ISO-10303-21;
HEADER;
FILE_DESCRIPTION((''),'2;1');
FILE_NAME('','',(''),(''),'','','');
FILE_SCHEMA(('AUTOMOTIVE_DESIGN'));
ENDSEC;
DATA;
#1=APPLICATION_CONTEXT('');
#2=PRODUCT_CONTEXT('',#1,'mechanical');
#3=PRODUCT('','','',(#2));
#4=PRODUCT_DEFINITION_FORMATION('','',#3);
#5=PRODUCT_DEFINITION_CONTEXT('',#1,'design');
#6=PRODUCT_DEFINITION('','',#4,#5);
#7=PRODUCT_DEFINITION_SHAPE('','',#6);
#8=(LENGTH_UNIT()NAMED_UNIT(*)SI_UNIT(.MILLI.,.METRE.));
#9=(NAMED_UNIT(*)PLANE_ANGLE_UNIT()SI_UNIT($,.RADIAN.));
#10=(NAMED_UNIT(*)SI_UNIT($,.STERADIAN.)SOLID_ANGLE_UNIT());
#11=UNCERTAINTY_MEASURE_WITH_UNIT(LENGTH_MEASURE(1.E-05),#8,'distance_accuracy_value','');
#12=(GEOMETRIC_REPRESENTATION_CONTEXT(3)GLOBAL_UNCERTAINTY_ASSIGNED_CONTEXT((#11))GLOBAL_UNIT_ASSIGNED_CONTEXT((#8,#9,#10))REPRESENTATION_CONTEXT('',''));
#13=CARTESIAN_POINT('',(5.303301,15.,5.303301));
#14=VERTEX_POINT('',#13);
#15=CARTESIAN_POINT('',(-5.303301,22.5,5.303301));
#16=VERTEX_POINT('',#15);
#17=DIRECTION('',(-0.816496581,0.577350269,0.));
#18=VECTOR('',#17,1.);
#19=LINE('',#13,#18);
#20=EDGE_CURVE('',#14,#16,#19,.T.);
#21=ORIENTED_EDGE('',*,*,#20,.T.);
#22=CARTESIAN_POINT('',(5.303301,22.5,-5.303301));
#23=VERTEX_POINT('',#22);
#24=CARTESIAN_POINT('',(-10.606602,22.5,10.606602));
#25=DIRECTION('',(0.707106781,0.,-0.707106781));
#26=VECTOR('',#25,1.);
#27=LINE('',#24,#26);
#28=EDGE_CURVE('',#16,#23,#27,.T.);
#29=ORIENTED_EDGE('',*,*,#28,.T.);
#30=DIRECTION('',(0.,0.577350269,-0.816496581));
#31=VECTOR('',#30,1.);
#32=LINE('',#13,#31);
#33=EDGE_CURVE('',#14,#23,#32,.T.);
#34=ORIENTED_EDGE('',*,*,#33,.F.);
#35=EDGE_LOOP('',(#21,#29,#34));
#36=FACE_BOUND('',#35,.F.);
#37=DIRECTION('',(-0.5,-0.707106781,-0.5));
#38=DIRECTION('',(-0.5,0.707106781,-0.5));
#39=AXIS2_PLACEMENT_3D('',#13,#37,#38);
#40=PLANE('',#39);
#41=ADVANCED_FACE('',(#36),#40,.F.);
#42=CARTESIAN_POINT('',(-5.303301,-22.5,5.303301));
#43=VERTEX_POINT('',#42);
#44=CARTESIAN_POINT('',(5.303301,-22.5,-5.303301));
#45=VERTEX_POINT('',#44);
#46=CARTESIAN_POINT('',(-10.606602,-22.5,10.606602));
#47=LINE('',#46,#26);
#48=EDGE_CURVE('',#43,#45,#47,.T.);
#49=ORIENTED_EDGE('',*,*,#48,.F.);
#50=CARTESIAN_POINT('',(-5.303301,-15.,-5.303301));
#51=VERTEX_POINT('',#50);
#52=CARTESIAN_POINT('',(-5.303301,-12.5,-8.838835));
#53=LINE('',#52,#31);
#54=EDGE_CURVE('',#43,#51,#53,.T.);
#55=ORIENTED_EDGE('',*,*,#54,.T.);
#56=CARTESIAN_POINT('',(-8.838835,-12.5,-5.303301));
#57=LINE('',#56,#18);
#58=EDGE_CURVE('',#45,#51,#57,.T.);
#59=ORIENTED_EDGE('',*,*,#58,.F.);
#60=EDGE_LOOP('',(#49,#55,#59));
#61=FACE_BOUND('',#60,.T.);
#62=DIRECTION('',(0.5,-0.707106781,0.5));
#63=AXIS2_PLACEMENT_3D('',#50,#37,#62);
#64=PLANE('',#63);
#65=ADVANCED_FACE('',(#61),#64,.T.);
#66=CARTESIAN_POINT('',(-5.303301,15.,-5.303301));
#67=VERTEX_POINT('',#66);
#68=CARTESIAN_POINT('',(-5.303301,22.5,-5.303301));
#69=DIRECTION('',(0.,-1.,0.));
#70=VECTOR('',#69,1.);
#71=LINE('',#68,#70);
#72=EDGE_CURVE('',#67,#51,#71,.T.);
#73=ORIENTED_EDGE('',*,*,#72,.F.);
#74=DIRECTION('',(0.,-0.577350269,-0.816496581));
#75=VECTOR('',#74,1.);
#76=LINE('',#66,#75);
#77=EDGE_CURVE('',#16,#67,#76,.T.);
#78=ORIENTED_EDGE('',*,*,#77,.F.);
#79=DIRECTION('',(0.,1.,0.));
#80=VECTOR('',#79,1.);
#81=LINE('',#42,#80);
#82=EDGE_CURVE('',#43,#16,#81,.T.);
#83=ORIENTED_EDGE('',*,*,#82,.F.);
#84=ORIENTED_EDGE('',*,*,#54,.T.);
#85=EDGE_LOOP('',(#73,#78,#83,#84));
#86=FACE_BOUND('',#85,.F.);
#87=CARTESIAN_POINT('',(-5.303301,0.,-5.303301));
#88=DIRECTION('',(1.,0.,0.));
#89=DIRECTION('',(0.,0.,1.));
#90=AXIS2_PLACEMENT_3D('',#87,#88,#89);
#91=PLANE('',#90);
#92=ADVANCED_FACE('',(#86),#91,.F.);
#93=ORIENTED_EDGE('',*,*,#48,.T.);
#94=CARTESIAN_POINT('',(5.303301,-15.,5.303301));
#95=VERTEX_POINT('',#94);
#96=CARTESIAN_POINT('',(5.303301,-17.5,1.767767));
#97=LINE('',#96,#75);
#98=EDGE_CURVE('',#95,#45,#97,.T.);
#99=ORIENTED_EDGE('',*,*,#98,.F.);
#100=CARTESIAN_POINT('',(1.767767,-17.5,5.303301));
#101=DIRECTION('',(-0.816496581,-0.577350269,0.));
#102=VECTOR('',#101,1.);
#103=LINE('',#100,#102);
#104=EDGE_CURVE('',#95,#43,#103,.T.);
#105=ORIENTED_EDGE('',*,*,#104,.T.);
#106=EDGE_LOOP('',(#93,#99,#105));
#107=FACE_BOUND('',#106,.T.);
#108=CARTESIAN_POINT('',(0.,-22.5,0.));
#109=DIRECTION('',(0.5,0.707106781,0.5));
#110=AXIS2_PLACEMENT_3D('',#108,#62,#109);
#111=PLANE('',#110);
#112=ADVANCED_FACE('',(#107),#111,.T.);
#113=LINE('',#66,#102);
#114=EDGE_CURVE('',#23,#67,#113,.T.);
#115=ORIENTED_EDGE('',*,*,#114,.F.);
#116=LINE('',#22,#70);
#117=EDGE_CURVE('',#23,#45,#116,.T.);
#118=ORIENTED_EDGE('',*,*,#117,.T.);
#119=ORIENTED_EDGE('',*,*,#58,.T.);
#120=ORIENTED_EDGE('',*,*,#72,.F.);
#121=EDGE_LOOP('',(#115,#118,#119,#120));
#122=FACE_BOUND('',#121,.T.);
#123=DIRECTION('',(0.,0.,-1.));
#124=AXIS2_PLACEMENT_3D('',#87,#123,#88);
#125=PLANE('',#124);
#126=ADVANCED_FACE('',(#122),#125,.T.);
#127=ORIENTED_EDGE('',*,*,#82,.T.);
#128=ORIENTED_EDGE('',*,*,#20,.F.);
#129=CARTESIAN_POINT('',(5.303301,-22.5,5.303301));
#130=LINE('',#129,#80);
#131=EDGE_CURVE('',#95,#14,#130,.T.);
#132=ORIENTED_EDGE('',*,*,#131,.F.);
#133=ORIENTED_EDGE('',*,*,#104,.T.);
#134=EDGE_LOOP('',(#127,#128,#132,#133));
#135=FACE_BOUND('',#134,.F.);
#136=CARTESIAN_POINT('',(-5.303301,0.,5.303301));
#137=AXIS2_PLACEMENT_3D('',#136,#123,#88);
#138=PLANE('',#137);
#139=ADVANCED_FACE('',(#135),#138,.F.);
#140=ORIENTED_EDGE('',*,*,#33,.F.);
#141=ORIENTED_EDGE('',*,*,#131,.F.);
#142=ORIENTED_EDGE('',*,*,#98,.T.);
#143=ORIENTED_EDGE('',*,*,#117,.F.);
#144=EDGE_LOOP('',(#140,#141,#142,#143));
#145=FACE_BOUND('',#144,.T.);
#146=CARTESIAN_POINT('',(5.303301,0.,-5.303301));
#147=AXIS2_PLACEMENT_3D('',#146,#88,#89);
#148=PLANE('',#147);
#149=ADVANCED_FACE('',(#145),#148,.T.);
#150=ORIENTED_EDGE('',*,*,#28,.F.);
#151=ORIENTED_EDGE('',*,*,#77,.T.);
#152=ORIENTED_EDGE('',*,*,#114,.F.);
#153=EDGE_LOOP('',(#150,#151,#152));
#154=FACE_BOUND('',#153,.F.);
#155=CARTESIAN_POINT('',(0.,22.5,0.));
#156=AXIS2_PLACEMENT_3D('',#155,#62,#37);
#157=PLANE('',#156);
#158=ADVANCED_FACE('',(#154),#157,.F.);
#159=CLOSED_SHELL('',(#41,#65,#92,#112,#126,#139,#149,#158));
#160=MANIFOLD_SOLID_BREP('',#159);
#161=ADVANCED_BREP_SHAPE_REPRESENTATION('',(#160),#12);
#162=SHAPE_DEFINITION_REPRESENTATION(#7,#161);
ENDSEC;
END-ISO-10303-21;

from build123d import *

# Parameters (mm, degrees)
F0_W     = 10.6066017178
F0_H     = 10.6066017178
F1_DEPTH = 22.5
F4_DEPTH = 15


with BuildPart() as f1:
    # F0 (on Front) → F1 (new body, symmetric)
    with BuildSketch(Plane.XZ):
        Rectangle(F0_W, F0_H)
    extrude(amount=F1_DEPTH, both=True)

    # F3 (on 3pt) → F4 (cut, symmetric)
    with BuildSketch(Plane(origin=(0, 0, 0), x_dir=(0, 1, 0), z_dir=(0.7071067812, 0, -0.7071067812))):
        Polygon((-15, -7.5), (-22.5, 0), (-15, 7.5), (-15, 9.5), (-24.5, 9.5), (-24.5, -9.5), (-15, -9.5), align=None)
        Polygon((15, 7.5), (22.5, 0), (15, -7.5), (15, -9.5), (24.5, -9.5), (24.5, 9.5), (15, 9.5), align=None)
    extrude(amount=F4_DEPTH, both=True, mode=Mode.SUBTRACT)


solid = f1.part
